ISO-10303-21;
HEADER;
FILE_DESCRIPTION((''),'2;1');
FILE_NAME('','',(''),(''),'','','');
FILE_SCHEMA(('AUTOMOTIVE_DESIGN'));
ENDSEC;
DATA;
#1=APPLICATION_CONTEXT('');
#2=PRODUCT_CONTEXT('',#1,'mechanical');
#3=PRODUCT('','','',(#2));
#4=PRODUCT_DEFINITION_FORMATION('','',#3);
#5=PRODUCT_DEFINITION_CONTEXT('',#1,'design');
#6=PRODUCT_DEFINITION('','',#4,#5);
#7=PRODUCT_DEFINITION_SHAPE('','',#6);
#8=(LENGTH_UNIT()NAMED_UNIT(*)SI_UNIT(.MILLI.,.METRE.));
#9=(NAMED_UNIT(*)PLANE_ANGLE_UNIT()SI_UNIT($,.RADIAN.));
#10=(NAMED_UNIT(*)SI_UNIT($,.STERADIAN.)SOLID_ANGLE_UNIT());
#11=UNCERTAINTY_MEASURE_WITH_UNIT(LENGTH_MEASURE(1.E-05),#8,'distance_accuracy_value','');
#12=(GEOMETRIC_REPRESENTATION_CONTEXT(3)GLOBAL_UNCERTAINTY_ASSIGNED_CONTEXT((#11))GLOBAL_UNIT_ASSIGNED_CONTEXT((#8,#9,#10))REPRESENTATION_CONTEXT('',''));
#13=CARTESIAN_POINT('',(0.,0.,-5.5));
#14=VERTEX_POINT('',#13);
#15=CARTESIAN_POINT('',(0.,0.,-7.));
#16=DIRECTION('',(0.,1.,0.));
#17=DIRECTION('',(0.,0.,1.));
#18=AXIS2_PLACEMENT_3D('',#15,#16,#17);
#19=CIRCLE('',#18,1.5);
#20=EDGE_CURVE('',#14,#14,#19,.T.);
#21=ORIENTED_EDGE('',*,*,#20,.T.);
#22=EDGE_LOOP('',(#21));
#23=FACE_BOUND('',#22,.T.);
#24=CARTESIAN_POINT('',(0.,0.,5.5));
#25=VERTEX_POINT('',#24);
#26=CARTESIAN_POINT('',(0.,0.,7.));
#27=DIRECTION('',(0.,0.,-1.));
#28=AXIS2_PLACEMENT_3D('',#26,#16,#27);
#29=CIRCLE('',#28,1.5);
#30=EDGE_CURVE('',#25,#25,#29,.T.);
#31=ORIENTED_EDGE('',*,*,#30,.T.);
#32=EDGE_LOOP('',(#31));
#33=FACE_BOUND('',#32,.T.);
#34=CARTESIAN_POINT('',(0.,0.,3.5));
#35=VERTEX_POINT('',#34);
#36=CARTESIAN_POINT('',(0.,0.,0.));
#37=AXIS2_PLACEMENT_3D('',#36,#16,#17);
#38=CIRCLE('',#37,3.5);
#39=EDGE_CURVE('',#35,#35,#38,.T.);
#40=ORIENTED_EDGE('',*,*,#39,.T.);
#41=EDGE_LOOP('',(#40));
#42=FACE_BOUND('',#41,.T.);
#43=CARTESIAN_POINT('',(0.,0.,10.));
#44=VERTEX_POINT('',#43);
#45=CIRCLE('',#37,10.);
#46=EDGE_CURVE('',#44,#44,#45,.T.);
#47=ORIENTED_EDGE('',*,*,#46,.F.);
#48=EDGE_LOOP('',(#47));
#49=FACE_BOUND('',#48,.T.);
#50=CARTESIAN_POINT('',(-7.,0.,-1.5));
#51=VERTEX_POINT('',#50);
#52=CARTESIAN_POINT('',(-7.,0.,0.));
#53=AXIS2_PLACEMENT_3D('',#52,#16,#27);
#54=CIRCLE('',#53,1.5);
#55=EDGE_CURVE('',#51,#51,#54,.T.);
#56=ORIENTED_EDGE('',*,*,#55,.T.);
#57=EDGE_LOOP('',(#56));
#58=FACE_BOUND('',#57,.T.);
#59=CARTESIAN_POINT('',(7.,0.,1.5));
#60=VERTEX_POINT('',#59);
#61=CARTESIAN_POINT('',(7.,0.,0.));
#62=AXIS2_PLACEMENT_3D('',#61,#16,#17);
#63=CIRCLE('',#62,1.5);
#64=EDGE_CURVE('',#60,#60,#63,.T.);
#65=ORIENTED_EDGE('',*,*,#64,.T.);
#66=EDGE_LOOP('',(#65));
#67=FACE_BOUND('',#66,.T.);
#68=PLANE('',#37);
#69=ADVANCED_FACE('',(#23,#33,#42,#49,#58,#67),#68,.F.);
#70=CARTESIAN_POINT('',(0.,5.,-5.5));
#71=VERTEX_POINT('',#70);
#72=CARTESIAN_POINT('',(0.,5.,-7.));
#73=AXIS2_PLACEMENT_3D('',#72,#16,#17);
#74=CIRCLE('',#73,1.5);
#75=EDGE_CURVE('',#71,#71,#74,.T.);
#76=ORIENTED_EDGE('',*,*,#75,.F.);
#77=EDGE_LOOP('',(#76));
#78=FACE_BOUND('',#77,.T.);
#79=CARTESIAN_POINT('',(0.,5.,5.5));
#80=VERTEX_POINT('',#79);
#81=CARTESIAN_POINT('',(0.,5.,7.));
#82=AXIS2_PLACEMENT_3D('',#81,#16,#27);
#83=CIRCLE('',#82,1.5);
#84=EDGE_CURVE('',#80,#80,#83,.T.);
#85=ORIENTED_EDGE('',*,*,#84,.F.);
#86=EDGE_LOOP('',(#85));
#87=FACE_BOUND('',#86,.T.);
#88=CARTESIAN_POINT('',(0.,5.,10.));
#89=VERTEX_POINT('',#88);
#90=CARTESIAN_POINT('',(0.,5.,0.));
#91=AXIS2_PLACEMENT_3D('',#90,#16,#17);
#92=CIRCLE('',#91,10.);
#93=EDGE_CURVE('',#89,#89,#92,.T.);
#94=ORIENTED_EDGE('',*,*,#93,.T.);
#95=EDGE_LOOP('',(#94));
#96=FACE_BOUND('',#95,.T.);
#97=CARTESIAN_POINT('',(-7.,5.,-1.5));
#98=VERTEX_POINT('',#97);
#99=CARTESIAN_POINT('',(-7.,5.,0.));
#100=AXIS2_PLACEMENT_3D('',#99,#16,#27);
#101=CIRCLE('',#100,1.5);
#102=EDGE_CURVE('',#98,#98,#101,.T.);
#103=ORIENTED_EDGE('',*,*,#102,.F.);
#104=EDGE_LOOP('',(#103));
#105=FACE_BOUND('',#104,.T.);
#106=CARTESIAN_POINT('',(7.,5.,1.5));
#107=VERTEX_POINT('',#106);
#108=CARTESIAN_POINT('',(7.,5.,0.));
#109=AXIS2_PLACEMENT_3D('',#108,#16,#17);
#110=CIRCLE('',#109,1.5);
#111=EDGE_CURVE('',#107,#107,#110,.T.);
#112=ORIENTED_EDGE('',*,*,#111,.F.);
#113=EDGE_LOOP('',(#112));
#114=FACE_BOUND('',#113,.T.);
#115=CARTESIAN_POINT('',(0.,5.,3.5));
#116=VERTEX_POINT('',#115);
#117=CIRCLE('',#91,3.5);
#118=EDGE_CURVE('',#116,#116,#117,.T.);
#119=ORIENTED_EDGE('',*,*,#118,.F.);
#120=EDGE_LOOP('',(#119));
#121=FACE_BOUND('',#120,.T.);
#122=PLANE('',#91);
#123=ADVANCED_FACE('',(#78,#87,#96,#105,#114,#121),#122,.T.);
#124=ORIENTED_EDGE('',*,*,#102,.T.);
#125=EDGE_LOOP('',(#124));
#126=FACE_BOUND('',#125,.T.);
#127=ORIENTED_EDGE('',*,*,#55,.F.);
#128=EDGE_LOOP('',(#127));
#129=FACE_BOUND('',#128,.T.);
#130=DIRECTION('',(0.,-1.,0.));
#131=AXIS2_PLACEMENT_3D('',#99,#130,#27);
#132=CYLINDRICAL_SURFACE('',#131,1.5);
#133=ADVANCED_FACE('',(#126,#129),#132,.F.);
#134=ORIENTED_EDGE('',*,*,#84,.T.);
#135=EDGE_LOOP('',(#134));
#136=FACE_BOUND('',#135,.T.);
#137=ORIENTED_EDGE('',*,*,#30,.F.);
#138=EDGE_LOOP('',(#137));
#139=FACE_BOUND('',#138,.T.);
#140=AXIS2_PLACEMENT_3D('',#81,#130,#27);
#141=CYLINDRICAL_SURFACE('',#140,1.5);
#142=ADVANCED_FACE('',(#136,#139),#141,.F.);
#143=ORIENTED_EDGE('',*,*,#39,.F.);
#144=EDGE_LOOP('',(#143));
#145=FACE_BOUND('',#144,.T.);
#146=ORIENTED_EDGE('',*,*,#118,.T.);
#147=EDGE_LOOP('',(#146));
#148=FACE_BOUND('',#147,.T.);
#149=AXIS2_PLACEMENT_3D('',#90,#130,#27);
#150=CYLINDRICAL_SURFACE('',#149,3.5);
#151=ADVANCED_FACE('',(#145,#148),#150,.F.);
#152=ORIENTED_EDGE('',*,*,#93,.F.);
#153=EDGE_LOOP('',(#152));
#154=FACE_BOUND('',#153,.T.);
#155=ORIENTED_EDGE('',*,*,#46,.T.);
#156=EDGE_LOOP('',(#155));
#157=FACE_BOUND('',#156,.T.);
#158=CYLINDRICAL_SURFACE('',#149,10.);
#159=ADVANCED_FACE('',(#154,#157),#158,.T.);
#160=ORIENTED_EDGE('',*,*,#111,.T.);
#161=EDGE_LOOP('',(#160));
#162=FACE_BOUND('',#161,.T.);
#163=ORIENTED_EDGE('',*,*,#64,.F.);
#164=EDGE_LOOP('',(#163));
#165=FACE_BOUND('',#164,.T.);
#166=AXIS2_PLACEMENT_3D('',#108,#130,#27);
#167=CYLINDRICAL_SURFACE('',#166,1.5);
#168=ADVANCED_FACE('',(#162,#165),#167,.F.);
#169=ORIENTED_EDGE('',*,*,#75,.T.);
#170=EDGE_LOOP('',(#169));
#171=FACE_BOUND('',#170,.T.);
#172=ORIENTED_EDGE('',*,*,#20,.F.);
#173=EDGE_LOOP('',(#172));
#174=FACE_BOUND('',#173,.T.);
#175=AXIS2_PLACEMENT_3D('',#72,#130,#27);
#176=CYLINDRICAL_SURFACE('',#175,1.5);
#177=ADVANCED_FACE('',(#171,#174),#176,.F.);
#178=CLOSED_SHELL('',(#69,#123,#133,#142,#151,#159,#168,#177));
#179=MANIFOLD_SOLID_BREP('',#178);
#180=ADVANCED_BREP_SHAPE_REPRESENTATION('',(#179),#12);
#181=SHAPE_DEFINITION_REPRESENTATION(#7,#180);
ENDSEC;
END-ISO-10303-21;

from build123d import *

# Parameters (mm, degrees)
SKETCH_1_R      = 10
SKETCH_1_R_2    = 1.5
SKETCH_1_R_3    = 3.5
EXTRUDE_1_DEPTH = 5


with BuildPart() as part:
    # 草图1 → 凸台-拉伸1 (new body)
    with BuildSketch(Plane(origin=(0, 0, 0), x_dir=(1, 0, 0), z_dir=(0, 1, 0))):
        with Locations(Location((0, 0, 0), (0, 0, 270))):
            Circle(SKETCH_1_R)
        with Locations(Location((0, 7, 0), (0, 0, 270))):
            Circle(SKETCH_1_R_2, mode=Mode.SUBTRACT)
        with Locations(Location((7, 0, 0), (0, 0, 270))):
            Circle(SKETCH_1_R_2, mode=Mode.SUBTRACT)
        with Locations(Location((0, 0, 0), (0, 0, 270))):
            Circle(SKETCH_1_R_3, mode=Mode.SUBTRACT)
        with Locations(Location((0, -7, 0), (0, 0, 90))):
            Circle(SKETCH_1_R_2, mode=Mode.SUBTRACT)
        with Locations(Location((-7, 0, 0), (0, 0, 90))):
            Circle(SKETCH_1_R_2, mode=Mode.SUBTRACT)
    extrude(amount=EXTRUDE_1_DEPTH)


solid = part.part
